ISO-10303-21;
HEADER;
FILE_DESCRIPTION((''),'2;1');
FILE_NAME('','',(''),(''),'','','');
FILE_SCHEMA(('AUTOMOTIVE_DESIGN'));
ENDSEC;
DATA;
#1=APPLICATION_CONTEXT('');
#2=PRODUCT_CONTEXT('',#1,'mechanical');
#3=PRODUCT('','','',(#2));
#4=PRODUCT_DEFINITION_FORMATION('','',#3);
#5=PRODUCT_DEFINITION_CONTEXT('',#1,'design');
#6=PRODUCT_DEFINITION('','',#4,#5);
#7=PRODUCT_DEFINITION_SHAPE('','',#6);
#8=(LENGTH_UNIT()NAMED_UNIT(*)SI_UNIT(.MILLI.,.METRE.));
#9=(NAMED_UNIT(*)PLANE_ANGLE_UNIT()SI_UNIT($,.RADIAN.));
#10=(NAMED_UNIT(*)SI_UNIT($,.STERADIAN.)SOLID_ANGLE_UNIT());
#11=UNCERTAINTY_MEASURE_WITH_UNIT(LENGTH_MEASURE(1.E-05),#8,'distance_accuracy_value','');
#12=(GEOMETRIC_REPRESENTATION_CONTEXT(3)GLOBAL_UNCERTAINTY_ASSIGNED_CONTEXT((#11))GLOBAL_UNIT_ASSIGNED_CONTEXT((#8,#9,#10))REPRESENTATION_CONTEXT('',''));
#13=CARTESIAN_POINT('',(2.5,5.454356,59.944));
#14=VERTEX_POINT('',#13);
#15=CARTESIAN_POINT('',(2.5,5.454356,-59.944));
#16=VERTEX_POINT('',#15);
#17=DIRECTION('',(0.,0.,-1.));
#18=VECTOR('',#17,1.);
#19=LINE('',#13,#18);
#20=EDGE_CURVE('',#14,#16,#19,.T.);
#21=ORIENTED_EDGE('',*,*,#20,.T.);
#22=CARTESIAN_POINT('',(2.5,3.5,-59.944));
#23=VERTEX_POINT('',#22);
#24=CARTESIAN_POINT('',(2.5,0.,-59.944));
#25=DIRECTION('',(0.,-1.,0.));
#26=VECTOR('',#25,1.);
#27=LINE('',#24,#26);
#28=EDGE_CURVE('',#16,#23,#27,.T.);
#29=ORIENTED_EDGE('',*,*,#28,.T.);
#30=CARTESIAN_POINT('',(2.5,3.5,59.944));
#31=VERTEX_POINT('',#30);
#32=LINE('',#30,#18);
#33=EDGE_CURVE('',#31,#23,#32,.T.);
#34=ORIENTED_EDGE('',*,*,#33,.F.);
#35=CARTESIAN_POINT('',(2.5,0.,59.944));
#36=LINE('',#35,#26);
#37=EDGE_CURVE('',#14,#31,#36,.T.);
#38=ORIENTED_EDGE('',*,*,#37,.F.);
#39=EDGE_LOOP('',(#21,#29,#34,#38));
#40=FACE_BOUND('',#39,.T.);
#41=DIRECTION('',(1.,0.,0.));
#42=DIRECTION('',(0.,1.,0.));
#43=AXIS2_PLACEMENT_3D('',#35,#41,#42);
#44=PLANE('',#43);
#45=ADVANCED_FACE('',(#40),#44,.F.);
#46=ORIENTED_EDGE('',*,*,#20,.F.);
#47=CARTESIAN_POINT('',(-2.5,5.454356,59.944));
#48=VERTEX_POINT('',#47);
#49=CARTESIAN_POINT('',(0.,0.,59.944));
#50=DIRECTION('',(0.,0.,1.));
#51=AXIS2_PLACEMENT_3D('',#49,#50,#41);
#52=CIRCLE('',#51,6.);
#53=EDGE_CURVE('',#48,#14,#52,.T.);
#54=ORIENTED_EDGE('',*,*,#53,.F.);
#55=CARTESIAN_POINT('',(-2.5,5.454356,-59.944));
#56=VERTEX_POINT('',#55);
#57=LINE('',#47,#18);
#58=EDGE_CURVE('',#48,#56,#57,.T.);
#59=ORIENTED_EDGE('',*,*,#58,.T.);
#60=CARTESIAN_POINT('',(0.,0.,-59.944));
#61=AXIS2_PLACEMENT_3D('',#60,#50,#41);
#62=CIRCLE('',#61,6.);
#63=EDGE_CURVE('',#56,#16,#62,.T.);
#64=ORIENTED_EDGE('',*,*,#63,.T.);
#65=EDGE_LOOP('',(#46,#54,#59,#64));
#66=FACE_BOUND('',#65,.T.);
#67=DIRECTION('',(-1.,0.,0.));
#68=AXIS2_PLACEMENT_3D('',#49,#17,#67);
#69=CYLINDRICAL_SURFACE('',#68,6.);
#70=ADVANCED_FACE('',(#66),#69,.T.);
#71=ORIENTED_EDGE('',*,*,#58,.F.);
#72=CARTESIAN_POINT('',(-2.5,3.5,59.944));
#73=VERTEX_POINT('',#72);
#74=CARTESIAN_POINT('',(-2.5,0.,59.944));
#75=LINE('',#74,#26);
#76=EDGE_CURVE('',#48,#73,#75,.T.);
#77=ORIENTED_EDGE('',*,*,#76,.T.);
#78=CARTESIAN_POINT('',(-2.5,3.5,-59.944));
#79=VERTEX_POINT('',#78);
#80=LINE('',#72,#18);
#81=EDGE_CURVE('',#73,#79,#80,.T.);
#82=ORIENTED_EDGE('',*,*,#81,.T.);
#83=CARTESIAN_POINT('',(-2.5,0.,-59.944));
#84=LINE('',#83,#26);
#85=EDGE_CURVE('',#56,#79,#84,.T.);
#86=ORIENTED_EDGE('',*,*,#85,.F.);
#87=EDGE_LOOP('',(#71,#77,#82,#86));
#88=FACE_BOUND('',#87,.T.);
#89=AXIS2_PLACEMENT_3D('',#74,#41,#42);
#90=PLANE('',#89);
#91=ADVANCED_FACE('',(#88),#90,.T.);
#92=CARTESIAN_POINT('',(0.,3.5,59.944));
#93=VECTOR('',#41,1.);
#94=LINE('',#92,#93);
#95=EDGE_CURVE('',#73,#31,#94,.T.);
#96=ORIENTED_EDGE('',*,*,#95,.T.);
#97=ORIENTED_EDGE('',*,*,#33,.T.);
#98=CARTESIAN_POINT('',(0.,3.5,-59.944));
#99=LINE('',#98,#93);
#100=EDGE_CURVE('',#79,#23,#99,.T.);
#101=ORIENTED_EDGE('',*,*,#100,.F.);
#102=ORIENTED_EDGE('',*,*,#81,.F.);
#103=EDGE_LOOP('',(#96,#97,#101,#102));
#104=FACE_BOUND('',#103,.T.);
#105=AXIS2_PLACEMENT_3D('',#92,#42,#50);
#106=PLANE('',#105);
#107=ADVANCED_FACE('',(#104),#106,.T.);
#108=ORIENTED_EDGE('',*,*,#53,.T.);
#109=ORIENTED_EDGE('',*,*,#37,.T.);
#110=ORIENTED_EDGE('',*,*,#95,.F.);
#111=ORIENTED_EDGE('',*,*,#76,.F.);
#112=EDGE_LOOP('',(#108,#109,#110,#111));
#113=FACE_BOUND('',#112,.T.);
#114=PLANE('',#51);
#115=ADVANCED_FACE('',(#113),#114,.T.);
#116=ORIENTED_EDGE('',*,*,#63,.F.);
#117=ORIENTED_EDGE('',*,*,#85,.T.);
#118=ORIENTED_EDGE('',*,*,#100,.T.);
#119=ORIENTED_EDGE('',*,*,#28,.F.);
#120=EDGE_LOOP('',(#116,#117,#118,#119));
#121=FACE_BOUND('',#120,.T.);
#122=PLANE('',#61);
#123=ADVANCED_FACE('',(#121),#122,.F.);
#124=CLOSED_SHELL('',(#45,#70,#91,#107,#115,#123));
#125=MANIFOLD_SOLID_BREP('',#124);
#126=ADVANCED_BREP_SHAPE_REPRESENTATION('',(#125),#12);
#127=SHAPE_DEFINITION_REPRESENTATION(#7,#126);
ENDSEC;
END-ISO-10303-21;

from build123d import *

# Parameters (mm, degrees)
BOSS_EXTRUDE2_DEPTH = 59.944


with BuildPart() as part:
    # Sketch2 → Boss-Extrude2 (new, symmetric)
    with BuildSketch(Plane.XY):
        with BuildLine():
            Line((-2.5, 3.5), (-2.5, 5.454356057))
            ThreePointArc((-2.5, 5.454356057), (-3.240370349, -5.049752469), (6, 0))
            ThreePointArc((6, 0), (5.049752469, 3.240370349), (2.5, 5.454356057))
            Line((2.5, 5.454356057), (2.5, 3.5))
            Line((2.5, 3.5), (-2.5, 3.5))
        make_face()
    extrude(amount=BOSS_EXTRUDE2_DEPTH, both=True)


solid = part.part
